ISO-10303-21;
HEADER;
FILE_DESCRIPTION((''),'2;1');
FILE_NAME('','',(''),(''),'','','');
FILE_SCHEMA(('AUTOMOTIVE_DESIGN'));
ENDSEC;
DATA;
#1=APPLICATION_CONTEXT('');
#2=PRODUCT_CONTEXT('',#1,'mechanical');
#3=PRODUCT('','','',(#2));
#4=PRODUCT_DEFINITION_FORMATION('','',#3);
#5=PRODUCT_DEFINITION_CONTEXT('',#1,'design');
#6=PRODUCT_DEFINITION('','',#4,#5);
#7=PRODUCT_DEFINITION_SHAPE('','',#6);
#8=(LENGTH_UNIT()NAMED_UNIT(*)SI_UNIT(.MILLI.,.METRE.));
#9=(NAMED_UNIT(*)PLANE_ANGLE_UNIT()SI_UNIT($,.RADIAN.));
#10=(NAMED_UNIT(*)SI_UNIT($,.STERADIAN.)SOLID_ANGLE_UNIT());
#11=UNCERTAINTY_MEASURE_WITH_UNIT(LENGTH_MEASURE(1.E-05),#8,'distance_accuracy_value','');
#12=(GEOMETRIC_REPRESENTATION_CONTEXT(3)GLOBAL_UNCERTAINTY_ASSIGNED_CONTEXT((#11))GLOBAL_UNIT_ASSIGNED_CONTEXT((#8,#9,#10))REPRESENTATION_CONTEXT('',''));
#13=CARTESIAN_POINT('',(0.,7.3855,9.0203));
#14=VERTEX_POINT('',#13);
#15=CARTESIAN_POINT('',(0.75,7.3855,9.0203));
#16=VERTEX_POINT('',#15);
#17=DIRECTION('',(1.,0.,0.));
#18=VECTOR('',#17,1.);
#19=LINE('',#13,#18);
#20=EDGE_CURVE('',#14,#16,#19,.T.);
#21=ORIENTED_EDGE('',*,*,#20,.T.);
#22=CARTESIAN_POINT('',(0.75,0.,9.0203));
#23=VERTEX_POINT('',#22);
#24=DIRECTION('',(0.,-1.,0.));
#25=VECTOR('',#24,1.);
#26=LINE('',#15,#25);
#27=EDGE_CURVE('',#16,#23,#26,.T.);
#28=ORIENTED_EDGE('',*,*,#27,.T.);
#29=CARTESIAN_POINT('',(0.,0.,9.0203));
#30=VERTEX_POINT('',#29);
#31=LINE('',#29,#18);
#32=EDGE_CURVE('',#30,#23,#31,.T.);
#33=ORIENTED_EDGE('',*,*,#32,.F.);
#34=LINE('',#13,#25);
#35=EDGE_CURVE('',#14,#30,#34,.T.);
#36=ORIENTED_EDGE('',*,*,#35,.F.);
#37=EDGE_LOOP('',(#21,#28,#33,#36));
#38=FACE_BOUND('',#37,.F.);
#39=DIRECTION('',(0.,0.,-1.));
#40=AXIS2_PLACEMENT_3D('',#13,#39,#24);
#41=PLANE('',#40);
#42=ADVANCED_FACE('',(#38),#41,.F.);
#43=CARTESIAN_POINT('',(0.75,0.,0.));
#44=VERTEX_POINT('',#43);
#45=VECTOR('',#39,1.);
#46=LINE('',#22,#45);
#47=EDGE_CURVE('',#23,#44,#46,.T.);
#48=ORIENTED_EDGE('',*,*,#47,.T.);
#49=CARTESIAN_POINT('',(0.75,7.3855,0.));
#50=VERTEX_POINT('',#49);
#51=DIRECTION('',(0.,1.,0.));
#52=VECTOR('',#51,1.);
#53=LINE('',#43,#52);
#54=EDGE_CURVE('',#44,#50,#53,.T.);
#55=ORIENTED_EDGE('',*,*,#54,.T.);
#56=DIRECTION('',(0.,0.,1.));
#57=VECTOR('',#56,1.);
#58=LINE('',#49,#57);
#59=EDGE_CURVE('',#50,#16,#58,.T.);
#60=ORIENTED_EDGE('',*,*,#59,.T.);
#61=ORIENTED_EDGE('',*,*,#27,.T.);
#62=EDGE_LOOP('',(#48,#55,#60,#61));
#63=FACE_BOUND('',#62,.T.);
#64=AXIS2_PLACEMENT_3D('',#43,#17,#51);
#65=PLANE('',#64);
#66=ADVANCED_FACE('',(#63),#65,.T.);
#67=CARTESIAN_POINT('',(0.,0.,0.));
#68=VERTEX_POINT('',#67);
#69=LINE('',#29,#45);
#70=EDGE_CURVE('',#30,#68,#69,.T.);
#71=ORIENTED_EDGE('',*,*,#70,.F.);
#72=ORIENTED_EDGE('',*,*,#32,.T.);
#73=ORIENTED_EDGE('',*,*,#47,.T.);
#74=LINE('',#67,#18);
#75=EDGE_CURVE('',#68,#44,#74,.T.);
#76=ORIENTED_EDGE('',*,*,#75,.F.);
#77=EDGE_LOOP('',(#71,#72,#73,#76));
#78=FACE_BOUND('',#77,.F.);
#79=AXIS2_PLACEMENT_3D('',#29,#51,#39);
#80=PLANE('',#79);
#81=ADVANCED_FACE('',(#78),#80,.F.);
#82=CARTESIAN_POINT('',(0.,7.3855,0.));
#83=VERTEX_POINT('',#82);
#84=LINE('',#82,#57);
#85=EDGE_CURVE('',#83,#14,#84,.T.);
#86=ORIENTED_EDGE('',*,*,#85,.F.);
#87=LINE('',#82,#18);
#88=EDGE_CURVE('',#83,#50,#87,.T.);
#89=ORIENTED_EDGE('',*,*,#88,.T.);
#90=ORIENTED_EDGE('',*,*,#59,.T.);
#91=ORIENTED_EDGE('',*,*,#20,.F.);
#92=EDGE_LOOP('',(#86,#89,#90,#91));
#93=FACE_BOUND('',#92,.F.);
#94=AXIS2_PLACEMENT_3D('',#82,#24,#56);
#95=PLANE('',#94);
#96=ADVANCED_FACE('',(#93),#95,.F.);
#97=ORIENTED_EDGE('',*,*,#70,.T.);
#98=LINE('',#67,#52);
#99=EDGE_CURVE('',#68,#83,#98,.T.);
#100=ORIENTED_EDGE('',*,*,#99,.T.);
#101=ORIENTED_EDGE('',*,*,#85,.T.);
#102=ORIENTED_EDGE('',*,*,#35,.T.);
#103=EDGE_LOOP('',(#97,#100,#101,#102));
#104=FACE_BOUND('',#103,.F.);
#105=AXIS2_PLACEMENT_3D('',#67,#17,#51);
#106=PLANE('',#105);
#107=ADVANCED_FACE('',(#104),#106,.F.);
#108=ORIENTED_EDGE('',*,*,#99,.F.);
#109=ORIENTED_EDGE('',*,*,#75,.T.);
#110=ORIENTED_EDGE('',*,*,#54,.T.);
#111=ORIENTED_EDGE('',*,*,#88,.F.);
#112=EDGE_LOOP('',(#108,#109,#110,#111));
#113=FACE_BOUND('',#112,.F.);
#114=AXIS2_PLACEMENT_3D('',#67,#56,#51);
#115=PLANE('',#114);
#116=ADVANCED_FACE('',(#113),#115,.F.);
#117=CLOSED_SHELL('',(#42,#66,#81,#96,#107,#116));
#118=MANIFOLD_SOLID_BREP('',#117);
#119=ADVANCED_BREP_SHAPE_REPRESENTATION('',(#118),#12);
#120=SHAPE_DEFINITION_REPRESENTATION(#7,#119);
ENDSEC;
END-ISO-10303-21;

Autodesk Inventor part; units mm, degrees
ref_plane "YZ Plane" through (0, 0, 0) normal (1, 0, 0) x (0, 1, 0)
ref_plane "XZ Plane" through (0, 0, 0) normal (0, 1, 0) x (-1, 0, 0)
ref_plane "XY Plane" through (0, 0, 0) normal (0, 0, 1) x (1, 0, 0)
sketch "Sketch1" plane through (0, 0, 0) normal (1, 0, 0) x (0, 1, 0)
  line L0 (0, 0) -> (7.3855, 0)
  line L1 (7.3855, 0) -> (7.3855, 9.0203)
  line L2 (7.3855, 9.0203) -> (0, 9.0203)
  line L3 (0, 9.0203) -> (0, 0)
extrude "Extrusion1" add sketch "Sketch1" along normal blind 0.75
properties part number "cap1"
